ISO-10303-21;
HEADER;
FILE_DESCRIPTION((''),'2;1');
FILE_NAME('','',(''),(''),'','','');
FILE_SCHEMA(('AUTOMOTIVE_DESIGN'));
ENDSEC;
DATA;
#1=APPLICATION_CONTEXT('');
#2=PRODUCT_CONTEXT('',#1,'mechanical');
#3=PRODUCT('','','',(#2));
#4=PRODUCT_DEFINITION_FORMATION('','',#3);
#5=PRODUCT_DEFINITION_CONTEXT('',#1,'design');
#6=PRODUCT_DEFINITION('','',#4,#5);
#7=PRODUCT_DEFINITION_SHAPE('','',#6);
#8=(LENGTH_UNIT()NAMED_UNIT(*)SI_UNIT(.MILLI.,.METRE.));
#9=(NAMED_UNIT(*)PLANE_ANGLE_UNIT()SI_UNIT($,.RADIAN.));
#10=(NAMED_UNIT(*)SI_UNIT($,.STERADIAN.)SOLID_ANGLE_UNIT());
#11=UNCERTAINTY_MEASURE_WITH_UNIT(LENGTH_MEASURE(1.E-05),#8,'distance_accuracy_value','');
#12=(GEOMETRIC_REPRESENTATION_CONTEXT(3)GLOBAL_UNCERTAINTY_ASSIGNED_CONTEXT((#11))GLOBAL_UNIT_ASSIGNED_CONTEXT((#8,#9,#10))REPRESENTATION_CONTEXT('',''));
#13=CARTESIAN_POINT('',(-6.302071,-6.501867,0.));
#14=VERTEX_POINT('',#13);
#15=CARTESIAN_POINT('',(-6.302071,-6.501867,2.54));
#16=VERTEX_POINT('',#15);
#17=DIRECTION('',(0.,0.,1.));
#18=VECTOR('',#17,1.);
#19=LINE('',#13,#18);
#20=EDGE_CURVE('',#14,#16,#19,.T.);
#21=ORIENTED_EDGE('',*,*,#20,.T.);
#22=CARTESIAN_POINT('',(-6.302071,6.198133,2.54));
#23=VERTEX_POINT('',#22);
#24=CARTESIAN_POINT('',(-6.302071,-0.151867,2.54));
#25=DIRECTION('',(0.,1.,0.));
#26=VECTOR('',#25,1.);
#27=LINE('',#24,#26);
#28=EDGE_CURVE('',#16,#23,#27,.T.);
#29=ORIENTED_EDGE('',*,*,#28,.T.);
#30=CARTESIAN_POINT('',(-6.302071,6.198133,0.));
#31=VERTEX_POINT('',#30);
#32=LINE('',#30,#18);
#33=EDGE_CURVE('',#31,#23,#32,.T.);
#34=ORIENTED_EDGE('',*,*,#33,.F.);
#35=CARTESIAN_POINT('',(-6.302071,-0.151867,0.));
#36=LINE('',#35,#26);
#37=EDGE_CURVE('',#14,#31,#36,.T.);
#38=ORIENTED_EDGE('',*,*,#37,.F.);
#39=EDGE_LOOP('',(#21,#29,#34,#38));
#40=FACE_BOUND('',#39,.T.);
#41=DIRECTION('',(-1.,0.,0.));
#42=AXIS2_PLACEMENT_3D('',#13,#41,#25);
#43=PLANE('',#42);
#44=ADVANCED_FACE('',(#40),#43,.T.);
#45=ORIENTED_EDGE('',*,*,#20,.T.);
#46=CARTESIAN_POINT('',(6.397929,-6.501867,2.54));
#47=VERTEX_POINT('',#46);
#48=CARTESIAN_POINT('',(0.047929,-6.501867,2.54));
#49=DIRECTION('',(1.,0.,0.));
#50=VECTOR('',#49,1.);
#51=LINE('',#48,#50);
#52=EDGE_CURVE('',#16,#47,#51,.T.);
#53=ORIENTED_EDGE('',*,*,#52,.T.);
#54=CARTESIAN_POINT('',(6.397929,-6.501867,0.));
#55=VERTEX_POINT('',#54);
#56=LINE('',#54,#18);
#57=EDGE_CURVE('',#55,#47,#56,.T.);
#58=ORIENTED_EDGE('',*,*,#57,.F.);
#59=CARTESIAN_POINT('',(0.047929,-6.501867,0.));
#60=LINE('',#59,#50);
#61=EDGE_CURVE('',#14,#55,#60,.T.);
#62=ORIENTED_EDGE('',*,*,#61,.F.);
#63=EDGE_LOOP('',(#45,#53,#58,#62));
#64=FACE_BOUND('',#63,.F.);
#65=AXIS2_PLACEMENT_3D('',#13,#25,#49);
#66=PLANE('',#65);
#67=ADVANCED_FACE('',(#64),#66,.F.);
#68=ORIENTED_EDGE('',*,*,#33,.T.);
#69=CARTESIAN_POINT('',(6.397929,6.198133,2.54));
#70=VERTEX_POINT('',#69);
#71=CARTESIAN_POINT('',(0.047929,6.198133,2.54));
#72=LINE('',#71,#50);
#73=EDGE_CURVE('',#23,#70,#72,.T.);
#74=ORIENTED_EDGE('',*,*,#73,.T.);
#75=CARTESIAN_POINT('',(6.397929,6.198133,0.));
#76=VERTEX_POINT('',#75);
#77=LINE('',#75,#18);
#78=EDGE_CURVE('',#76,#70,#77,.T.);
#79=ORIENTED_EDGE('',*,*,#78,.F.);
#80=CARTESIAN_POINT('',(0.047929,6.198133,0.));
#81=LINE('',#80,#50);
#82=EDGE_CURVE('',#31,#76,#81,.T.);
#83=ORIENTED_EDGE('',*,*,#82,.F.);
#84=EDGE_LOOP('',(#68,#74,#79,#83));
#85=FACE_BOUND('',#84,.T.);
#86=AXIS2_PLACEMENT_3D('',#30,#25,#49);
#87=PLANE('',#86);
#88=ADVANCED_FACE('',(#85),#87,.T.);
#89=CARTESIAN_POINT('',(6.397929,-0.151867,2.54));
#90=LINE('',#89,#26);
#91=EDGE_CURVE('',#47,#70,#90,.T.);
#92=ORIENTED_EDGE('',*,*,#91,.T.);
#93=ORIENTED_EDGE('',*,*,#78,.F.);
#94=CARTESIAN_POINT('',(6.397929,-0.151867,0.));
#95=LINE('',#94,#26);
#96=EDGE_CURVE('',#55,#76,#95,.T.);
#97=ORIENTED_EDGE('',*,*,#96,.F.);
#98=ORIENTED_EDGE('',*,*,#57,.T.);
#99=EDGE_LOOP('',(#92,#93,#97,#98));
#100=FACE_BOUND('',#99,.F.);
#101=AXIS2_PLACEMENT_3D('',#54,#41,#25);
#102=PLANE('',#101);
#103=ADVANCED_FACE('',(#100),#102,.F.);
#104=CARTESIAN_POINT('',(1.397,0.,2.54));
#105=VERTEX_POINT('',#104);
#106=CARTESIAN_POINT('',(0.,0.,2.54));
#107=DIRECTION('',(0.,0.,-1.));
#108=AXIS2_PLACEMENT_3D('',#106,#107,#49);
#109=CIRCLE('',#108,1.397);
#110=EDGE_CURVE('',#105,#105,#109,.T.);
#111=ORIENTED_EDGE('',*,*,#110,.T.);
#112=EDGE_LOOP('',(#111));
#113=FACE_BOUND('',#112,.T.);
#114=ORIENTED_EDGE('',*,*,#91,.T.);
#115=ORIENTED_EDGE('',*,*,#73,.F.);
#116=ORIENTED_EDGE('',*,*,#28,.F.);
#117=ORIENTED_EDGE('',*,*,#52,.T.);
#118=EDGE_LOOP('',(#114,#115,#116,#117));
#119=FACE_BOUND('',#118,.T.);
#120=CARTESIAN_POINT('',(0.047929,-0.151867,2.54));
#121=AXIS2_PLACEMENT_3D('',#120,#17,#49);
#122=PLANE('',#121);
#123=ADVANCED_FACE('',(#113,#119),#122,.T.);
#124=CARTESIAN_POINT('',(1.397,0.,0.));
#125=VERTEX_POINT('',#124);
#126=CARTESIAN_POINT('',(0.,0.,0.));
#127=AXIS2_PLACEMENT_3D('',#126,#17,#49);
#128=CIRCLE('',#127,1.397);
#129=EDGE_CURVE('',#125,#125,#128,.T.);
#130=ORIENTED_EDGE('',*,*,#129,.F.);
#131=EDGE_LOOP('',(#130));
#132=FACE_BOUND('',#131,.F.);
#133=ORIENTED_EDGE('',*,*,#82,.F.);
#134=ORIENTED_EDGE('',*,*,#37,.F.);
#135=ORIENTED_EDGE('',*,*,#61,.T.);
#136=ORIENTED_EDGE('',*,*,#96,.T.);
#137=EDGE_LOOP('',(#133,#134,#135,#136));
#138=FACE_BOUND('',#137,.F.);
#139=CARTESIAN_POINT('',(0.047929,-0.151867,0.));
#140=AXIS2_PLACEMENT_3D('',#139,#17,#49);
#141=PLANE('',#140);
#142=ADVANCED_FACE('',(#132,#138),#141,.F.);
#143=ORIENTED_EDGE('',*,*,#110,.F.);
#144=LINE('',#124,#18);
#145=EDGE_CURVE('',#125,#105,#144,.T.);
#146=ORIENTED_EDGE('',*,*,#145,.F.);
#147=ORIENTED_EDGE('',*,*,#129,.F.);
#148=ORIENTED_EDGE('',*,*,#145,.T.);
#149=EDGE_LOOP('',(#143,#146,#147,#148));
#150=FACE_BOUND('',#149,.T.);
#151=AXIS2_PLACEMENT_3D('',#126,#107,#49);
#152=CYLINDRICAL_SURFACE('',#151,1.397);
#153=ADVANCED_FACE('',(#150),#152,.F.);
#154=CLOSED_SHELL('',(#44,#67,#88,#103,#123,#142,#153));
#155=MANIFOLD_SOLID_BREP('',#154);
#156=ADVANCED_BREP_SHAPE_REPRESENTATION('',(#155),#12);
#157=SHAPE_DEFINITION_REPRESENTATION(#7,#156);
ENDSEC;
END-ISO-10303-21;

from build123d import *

# Parameters (mm, degrees)
F1_W     = 12.7
F1_H     = 12.7
F2_DEPTH = 2.54
F0_R     = 1.397
F3_DEPTH = 22.7076


with BuildPart() as f2:
    # F1 (on Top) → F2 (new body)
    with BuildSketch(Plane.XY):
        with Locations((0.047929, -0.151867)):
            Rectangle(F1_W, F1_H)
    extrude(amount=F2_DEPTH)

    # F0 (on Top) → F3 (cut)
    with BuildSketch(Plane.XY):
        Circle(F0_R)
    extrude(amount=F3_DEPTH, mode=Mode.SUBTRACT)


solid = f2.part
